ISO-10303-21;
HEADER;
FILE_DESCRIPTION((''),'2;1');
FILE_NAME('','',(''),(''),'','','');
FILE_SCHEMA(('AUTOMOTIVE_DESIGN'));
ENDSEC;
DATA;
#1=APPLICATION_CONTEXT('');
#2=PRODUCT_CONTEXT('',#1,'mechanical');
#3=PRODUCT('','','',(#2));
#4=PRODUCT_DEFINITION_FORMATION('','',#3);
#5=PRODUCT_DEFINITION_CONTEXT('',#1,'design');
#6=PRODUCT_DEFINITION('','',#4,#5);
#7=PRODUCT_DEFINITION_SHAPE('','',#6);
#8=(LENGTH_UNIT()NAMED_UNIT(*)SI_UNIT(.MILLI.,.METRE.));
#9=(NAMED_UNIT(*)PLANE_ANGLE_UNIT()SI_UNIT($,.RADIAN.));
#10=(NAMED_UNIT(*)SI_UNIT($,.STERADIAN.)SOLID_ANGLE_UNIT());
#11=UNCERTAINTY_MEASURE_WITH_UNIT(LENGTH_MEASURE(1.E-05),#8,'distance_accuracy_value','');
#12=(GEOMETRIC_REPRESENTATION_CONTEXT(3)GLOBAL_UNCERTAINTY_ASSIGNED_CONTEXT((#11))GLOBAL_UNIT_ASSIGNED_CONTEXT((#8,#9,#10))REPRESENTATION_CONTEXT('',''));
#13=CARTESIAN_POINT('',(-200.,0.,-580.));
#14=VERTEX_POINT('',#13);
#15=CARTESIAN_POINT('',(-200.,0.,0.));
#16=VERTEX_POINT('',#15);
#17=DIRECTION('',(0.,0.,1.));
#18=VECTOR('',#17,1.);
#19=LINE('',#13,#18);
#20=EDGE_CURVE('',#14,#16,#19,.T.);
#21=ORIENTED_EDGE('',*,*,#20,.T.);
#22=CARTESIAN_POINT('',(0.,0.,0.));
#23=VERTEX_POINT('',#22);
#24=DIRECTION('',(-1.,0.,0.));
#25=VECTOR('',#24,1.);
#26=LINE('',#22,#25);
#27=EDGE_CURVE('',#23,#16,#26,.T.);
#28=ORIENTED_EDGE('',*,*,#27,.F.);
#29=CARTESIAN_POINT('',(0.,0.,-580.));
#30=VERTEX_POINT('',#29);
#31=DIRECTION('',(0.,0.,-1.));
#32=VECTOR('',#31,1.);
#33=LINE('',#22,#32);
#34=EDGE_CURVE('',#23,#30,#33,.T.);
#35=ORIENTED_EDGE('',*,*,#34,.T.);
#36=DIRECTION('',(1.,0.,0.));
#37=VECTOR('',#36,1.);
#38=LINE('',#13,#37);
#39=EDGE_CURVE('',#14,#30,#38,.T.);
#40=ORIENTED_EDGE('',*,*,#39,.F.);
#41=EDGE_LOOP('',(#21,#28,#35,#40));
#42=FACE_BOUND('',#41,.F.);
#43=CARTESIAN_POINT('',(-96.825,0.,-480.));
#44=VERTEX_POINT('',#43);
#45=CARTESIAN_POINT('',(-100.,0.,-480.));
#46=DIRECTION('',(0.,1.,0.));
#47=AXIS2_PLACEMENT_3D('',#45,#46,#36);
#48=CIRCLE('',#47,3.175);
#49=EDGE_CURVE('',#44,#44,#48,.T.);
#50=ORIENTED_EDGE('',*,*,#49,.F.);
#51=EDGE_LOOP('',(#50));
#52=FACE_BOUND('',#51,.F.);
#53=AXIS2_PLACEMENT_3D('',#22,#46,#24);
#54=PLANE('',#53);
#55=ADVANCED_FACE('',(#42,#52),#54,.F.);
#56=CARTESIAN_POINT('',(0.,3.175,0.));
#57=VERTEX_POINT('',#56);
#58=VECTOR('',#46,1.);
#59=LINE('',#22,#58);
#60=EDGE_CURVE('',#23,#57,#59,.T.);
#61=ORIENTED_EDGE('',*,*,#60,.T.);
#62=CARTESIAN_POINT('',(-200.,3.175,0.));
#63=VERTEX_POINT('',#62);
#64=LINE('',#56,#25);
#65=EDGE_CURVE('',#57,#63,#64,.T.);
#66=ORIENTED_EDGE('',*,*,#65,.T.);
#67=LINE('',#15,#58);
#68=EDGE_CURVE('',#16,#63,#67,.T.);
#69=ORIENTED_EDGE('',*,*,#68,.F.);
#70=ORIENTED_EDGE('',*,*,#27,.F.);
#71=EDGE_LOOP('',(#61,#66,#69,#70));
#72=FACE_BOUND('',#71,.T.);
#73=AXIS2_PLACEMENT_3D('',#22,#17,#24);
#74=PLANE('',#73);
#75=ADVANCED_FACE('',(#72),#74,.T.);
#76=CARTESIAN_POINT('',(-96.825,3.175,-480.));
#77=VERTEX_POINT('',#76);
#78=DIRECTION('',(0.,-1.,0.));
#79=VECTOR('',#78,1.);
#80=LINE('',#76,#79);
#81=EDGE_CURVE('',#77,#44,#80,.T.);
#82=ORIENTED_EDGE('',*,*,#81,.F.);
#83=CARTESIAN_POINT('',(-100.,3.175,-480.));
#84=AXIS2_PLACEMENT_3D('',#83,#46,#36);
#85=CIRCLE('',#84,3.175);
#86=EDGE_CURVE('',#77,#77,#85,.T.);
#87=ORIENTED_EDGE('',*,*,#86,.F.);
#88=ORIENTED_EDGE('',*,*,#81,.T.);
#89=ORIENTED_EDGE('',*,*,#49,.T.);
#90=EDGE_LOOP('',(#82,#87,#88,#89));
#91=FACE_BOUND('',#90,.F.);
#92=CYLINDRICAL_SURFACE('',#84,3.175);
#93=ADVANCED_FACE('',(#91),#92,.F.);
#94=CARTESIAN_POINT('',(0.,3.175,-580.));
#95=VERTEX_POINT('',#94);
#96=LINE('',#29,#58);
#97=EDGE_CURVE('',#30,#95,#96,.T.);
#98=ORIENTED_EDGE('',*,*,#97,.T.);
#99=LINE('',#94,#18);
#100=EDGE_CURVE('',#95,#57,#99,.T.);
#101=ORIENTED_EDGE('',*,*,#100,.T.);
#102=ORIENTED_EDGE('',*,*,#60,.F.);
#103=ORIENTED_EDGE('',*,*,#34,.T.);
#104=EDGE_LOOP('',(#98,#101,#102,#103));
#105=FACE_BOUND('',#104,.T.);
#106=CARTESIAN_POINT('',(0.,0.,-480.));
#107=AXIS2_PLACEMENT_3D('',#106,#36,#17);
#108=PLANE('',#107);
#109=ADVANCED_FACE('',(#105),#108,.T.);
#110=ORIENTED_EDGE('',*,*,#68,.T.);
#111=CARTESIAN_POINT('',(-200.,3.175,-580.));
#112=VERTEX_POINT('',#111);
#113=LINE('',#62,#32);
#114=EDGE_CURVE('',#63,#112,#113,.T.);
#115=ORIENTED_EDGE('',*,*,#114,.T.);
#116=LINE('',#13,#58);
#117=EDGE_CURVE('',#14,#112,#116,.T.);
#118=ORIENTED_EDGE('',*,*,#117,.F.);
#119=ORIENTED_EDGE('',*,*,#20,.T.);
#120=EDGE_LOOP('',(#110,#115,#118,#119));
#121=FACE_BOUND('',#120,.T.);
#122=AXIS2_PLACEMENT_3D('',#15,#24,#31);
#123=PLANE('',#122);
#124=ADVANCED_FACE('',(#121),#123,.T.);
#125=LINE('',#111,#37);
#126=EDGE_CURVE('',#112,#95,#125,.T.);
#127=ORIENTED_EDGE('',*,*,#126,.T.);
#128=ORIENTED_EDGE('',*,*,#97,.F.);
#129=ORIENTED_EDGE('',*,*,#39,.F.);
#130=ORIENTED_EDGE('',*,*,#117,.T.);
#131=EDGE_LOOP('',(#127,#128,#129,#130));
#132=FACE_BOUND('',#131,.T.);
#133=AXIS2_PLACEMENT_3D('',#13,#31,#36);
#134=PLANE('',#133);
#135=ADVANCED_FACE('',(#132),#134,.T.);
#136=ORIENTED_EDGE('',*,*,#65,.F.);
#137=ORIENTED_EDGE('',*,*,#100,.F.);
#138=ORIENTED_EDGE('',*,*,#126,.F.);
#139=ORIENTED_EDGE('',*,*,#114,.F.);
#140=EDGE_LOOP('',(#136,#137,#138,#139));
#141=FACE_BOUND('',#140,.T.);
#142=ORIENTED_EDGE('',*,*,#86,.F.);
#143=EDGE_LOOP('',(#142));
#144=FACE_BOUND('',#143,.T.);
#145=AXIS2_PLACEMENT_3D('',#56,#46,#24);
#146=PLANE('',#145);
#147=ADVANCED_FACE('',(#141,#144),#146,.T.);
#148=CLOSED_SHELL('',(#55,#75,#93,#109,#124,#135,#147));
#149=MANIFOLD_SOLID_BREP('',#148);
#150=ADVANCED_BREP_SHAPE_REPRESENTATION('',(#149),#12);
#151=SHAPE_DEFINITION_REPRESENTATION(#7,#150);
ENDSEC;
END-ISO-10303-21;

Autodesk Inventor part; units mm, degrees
ref_plane "YZ Plane" through (0, 0, 0) normal (1, 0, 0) x (0, 1, 0)
ref_plane "XZ Plane" through (0, 0, 0) normal (0, 1, 0) x (-1, 0, 0)
ref_plane "XY Plane" through (0, 0, 0) normal (0, 0, 1) x (1, 0, 0)
sketch "Sketch1" plane through (0, 0, 0) normal (0, 1, 0) x (-1, 0, 0)
  line L0 (0, 0) -> (200, 0)
  line L1 (200, 0) -> (200, -480)
  line L2 (200, -480) -> (0, -480)
  line L3 (0, -480) -> (0, 0)
  line L4 (0, -480) -> (100, -480)
  line L5 (200, -480) -> (200, -580)
  line L6 (200, -580) -> (0, -580)
  line L7 (0, -580) -> (0, -480)
  dimension "d0" = 200
  dimension "d1" = 480
extrude "Extrusion1" add sketch "Sketch1" along normal blind 3.175
sketch "Sketch2" plane through (0, 3.175, 0) normal (0, 1, 0) x (1, 0, 0)
  circle A0 centre (-100, 480) radius 3.175
  point P0 (0, 0)
  dimension "d5" = 6.35
extrude "Extrusion2" cut sketch "Sketch2" against normal blind 3.175
properties part number "Trebuchet V1 - Long Arm (Sling)"
